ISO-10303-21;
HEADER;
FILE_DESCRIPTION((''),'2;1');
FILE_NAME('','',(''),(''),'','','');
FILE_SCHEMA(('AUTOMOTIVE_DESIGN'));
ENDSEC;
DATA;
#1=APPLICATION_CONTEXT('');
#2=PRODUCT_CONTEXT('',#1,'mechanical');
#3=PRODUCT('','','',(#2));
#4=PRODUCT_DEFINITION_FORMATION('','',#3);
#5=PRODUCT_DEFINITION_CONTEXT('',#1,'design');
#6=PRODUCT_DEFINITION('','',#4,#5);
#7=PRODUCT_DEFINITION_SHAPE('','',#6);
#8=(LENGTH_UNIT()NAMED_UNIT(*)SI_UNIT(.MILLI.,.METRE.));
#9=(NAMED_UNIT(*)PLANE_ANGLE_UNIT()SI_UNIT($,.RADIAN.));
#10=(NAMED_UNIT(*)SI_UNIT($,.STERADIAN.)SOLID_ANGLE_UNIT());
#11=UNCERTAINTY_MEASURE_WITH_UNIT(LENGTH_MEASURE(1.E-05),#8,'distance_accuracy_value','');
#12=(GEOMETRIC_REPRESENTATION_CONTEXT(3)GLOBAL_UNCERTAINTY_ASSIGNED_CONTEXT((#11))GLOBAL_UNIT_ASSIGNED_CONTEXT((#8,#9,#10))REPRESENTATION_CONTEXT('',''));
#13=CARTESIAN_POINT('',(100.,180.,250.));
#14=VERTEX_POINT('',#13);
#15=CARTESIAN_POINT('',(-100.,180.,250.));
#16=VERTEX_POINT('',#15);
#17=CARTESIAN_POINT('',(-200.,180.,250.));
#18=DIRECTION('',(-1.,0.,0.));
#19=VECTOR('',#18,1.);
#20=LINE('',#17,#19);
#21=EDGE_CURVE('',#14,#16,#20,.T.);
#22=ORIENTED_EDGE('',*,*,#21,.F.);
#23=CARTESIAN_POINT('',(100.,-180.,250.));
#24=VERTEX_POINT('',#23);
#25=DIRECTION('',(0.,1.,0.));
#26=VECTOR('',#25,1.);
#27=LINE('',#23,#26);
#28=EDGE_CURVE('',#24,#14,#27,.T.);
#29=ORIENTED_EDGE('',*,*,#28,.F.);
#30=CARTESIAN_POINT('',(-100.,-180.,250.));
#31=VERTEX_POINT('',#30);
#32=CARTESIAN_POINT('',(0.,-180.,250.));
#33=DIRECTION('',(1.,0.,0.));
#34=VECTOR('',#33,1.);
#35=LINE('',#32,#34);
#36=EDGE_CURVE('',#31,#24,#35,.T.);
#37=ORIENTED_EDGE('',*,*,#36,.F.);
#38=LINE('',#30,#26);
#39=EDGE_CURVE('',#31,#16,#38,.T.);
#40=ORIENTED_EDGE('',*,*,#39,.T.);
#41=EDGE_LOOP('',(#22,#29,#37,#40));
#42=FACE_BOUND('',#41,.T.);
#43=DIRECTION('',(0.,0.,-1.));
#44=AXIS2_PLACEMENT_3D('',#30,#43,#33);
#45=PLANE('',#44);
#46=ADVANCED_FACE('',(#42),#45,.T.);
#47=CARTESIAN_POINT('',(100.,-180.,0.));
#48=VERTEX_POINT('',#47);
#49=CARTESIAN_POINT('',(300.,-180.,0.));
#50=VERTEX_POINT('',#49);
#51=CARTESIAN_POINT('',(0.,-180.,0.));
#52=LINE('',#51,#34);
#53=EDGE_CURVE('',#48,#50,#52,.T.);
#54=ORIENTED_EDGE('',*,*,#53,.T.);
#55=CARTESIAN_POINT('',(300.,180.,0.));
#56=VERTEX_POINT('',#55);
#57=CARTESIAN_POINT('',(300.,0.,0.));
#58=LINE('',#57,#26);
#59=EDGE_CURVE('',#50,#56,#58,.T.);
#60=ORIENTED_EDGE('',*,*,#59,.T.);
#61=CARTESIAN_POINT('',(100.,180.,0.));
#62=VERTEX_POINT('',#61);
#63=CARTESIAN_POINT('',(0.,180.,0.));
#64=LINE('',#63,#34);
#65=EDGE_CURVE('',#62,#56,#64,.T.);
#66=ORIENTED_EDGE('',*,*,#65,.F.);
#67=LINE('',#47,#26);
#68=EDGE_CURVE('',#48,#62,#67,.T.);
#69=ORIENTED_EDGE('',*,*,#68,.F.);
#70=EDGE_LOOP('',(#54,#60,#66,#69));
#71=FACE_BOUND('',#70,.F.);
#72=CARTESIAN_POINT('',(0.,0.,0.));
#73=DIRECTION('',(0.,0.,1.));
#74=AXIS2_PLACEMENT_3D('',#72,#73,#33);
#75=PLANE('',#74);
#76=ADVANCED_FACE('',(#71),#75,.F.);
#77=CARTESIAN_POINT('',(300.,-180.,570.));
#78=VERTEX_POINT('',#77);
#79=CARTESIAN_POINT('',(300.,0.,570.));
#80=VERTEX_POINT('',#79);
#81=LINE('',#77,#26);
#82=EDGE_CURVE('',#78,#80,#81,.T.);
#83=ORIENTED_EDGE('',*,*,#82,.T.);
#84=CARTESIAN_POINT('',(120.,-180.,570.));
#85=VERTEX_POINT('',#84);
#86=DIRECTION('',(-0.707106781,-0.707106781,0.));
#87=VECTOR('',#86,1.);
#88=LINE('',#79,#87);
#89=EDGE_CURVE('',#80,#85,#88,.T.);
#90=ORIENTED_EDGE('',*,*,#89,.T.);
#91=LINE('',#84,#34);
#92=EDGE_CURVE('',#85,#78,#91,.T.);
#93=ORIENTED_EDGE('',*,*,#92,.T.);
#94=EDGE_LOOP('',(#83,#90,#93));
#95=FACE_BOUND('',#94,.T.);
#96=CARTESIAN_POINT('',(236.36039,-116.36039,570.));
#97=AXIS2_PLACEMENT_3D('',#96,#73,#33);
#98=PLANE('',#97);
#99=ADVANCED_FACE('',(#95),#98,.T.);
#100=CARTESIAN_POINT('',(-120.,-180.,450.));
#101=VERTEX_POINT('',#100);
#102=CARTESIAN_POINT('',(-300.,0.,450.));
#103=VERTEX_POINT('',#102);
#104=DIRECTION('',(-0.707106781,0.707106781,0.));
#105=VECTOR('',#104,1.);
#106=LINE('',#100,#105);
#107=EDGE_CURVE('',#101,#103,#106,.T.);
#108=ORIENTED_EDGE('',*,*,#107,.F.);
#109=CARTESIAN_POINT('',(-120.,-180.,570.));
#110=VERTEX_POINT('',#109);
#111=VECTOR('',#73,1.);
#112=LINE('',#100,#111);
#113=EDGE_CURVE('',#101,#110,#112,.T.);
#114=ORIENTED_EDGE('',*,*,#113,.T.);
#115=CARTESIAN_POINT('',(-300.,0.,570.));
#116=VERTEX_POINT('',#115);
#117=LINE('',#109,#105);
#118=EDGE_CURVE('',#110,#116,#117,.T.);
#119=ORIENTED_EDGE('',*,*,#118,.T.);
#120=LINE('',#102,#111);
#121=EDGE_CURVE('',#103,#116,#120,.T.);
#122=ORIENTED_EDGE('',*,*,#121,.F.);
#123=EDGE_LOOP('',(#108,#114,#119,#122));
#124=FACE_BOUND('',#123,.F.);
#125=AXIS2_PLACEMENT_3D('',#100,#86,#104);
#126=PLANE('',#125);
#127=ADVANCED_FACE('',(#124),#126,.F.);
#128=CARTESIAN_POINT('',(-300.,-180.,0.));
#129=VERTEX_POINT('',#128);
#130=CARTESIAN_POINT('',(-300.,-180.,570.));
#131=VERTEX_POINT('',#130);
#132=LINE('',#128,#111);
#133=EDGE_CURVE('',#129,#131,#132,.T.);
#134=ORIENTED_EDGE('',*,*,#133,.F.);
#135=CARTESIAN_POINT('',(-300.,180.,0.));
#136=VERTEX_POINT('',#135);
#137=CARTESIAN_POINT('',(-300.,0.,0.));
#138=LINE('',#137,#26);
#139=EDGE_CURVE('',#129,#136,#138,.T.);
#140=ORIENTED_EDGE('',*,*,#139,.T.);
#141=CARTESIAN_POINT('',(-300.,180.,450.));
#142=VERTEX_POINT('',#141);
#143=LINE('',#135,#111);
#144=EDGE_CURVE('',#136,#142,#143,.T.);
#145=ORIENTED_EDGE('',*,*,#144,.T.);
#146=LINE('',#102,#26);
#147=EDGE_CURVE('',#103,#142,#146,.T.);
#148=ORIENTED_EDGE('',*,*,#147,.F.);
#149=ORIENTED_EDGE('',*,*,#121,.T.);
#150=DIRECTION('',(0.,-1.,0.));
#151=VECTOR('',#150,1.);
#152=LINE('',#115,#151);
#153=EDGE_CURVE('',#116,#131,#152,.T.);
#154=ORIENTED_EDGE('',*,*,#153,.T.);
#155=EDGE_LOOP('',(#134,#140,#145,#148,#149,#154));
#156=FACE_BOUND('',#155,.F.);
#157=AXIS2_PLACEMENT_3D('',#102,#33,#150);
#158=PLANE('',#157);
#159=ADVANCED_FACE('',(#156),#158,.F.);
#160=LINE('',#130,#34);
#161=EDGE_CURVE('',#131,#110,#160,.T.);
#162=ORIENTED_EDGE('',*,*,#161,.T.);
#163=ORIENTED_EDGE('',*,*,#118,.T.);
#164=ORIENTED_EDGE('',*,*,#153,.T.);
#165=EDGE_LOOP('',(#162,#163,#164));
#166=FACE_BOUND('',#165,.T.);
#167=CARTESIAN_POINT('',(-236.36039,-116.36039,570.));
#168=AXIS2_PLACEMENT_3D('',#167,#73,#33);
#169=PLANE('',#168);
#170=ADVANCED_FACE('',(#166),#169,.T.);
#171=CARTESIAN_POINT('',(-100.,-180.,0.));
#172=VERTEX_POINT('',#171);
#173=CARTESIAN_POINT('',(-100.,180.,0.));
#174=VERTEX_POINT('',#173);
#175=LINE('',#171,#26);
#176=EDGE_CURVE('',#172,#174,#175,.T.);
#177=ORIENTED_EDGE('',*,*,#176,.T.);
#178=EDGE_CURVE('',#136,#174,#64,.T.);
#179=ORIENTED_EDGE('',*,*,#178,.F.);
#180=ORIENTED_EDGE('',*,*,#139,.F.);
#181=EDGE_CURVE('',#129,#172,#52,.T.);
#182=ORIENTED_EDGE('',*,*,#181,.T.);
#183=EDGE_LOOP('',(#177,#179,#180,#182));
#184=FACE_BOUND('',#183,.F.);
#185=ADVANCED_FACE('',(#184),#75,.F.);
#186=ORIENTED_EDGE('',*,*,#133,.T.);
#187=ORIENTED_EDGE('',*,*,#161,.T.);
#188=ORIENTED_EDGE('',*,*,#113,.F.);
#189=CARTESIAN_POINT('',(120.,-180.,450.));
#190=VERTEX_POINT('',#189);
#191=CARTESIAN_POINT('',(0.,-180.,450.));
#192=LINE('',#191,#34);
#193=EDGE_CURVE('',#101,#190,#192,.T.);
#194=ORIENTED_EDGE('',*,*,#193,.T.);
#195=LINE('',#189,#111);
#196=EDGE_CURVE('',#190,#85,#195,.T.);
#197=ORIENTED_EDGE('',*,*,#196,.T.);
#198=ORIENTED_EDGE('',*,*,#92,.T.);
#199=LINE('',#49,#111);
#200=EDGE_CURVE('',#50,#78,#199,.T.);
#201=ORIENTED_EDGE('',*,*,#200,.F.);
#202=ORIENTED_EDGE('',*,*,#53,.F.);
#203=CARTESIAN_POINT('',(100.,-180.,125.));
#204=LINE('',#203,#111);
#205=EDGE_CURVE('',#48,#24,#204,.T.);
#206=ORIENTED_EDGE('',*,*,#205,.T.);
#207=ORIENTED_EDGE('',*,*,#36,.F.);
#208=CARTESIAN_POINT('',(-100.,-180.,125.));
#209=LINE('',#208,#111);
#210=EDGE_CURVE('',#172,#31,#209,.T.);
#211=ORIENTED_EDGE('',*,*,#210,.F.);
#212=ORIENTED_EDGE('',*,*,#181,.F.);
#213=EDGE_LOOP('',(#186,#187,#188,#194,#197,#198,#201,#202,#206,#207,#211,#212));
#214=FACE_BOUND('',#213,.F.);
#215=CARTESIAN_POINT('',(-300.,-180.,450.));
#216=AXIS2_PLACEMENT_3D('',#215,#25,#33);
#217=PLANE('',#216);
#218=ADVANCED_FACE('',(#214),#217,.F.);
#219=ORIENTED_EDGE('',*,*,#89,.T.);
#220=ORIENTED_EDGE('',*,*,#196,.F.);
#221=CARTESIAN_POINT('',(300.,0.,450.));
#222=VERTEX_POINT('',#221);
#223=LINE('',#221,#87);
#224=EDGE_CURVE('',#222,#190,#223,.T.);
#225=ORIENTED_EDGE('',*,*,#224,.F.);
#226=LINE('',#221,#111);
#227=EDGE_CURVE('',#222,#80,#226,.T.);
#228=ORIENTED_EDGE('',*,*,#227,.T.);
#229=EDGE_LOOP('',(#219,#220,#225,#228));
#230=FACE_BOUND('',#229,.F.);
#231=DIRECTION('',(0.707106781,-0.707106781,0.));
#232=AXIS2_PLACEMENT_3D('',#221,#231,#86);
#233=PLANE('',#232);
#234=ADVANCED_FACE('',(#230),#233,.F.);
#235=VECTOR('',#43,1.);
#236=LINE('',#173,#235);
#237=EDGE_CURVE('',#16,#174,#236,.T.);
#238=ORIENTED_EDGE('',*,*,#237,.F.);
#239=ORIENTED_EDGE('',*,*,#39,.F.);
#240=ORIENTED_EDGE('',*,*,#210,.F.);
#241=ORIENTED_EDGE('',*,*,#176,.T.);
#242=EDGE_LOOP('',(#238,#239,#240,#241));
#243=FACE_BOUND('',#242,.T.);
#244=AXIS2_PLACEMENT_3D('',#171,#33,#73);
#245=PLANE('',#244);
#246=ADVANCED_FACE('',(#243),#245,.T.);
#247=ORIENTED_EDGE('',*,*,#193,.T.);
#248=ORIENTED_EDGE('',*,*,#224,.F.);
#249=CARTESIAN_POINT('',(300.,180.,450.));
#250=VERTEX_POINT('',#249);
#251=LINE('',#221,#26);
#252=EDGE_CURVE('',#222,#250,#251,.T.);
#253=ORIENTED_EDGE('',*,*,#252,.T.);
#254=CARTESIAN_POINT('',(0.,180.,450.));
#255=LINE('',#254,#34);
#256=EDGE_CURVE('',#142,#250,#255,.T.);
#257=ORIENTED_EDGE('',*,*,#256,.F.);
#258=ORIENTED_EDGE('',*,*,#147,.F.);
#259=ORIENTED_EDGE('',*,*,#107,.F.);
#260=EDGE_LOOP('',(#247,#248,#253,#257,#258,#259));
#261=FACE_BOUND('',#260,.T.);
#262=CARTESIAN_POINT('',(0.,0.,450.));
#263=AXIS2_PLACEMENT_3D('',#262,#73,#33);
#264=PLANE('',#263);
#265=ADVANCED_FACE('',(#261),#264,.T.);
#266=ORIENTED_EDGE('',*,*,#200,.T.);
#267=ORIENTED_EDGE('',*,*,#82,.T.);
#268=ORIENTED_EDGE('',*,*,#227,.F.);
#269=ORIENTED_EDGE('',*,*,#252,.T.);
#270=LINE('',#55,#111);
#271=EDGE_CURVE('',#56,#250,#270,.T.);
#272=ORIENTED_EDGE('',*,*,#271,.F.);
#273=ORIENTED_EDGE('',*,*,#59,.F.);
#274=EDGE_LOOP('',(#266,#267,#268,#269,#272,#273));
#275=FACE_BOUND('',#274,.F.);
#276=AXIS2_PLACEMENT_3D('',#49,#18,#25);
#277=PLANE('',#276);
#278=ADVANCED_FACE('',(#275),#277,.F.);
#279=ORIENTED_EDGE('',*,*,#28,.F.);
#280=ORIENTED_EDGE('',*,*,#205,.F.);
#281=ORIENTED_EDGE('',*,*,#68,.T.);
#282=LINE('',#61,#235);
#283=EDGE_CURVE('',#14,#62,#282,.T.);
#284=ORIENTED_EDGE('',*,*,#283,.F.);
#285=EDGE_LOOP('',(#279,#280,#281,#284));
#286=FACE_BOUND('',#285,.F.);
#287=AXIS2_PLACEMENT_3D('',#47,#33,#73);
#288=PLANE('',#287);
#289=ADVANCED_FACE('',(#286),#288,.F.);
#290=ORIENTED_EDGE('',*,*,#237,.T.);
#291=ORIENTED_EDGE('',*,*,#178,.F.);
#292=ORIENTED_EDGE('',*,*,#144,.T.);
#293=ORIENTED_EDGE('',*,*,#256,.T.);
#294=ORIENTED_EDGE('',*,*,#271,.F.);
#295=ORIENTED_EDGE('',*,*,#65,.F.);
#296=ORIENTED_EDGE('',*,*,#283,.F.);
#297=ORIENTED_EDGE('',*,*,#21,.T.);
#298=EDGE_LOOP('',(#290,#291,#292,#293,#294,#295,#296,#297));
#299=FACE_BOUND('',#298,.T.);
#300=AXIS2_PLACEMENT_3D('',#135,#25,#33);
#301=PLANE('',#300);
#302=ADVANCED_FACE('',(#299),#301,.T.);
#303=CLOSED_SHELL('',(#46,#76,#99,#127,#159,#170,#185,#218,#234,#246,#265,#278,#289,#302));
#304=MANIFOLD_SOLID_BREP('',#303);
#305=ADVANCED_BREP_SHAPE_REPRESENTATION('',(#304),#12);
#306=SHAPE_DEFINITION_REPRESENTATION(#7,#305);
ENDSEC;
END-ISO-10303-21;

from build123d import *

# Parameters (mm, degrees)
F0_W     = 600
F0_H     = 360
F1_DEPTH = 450
F2_W     = 200
F2_H     = 250
F3_DEPTH = 360.001
F5_DEPTH = 120


with BuildPart() as f1:
    # F0 (on Top) → F1 (new body)
    with BuildSketch(Plane.XY):
        Rectangle(F0_W, F0_H)
    extrude(amount=F1_DEPTH)

    # F2 (on face) → F3 (cut, through all)
    with BuildSketch(Plane.XZ.offset(180)):
        with Locations((0, 125)):
            Rectangle(F2_W, F2_H)
    extrude(amount=-F3_DEPTH, mode=Mode.SUBTRACT)

    # F4 (on face) → F5 (join)
    with BuildSketch(Plane.XY.offset(450)):
        Polygon((-300, 0), (-300, -180), (-120, -180), align=None)
        Polygon((300, 0), (120, -180), (300, -180), align=None)
    extrude(amount=F5_DEPTH)


solid = f1.part
